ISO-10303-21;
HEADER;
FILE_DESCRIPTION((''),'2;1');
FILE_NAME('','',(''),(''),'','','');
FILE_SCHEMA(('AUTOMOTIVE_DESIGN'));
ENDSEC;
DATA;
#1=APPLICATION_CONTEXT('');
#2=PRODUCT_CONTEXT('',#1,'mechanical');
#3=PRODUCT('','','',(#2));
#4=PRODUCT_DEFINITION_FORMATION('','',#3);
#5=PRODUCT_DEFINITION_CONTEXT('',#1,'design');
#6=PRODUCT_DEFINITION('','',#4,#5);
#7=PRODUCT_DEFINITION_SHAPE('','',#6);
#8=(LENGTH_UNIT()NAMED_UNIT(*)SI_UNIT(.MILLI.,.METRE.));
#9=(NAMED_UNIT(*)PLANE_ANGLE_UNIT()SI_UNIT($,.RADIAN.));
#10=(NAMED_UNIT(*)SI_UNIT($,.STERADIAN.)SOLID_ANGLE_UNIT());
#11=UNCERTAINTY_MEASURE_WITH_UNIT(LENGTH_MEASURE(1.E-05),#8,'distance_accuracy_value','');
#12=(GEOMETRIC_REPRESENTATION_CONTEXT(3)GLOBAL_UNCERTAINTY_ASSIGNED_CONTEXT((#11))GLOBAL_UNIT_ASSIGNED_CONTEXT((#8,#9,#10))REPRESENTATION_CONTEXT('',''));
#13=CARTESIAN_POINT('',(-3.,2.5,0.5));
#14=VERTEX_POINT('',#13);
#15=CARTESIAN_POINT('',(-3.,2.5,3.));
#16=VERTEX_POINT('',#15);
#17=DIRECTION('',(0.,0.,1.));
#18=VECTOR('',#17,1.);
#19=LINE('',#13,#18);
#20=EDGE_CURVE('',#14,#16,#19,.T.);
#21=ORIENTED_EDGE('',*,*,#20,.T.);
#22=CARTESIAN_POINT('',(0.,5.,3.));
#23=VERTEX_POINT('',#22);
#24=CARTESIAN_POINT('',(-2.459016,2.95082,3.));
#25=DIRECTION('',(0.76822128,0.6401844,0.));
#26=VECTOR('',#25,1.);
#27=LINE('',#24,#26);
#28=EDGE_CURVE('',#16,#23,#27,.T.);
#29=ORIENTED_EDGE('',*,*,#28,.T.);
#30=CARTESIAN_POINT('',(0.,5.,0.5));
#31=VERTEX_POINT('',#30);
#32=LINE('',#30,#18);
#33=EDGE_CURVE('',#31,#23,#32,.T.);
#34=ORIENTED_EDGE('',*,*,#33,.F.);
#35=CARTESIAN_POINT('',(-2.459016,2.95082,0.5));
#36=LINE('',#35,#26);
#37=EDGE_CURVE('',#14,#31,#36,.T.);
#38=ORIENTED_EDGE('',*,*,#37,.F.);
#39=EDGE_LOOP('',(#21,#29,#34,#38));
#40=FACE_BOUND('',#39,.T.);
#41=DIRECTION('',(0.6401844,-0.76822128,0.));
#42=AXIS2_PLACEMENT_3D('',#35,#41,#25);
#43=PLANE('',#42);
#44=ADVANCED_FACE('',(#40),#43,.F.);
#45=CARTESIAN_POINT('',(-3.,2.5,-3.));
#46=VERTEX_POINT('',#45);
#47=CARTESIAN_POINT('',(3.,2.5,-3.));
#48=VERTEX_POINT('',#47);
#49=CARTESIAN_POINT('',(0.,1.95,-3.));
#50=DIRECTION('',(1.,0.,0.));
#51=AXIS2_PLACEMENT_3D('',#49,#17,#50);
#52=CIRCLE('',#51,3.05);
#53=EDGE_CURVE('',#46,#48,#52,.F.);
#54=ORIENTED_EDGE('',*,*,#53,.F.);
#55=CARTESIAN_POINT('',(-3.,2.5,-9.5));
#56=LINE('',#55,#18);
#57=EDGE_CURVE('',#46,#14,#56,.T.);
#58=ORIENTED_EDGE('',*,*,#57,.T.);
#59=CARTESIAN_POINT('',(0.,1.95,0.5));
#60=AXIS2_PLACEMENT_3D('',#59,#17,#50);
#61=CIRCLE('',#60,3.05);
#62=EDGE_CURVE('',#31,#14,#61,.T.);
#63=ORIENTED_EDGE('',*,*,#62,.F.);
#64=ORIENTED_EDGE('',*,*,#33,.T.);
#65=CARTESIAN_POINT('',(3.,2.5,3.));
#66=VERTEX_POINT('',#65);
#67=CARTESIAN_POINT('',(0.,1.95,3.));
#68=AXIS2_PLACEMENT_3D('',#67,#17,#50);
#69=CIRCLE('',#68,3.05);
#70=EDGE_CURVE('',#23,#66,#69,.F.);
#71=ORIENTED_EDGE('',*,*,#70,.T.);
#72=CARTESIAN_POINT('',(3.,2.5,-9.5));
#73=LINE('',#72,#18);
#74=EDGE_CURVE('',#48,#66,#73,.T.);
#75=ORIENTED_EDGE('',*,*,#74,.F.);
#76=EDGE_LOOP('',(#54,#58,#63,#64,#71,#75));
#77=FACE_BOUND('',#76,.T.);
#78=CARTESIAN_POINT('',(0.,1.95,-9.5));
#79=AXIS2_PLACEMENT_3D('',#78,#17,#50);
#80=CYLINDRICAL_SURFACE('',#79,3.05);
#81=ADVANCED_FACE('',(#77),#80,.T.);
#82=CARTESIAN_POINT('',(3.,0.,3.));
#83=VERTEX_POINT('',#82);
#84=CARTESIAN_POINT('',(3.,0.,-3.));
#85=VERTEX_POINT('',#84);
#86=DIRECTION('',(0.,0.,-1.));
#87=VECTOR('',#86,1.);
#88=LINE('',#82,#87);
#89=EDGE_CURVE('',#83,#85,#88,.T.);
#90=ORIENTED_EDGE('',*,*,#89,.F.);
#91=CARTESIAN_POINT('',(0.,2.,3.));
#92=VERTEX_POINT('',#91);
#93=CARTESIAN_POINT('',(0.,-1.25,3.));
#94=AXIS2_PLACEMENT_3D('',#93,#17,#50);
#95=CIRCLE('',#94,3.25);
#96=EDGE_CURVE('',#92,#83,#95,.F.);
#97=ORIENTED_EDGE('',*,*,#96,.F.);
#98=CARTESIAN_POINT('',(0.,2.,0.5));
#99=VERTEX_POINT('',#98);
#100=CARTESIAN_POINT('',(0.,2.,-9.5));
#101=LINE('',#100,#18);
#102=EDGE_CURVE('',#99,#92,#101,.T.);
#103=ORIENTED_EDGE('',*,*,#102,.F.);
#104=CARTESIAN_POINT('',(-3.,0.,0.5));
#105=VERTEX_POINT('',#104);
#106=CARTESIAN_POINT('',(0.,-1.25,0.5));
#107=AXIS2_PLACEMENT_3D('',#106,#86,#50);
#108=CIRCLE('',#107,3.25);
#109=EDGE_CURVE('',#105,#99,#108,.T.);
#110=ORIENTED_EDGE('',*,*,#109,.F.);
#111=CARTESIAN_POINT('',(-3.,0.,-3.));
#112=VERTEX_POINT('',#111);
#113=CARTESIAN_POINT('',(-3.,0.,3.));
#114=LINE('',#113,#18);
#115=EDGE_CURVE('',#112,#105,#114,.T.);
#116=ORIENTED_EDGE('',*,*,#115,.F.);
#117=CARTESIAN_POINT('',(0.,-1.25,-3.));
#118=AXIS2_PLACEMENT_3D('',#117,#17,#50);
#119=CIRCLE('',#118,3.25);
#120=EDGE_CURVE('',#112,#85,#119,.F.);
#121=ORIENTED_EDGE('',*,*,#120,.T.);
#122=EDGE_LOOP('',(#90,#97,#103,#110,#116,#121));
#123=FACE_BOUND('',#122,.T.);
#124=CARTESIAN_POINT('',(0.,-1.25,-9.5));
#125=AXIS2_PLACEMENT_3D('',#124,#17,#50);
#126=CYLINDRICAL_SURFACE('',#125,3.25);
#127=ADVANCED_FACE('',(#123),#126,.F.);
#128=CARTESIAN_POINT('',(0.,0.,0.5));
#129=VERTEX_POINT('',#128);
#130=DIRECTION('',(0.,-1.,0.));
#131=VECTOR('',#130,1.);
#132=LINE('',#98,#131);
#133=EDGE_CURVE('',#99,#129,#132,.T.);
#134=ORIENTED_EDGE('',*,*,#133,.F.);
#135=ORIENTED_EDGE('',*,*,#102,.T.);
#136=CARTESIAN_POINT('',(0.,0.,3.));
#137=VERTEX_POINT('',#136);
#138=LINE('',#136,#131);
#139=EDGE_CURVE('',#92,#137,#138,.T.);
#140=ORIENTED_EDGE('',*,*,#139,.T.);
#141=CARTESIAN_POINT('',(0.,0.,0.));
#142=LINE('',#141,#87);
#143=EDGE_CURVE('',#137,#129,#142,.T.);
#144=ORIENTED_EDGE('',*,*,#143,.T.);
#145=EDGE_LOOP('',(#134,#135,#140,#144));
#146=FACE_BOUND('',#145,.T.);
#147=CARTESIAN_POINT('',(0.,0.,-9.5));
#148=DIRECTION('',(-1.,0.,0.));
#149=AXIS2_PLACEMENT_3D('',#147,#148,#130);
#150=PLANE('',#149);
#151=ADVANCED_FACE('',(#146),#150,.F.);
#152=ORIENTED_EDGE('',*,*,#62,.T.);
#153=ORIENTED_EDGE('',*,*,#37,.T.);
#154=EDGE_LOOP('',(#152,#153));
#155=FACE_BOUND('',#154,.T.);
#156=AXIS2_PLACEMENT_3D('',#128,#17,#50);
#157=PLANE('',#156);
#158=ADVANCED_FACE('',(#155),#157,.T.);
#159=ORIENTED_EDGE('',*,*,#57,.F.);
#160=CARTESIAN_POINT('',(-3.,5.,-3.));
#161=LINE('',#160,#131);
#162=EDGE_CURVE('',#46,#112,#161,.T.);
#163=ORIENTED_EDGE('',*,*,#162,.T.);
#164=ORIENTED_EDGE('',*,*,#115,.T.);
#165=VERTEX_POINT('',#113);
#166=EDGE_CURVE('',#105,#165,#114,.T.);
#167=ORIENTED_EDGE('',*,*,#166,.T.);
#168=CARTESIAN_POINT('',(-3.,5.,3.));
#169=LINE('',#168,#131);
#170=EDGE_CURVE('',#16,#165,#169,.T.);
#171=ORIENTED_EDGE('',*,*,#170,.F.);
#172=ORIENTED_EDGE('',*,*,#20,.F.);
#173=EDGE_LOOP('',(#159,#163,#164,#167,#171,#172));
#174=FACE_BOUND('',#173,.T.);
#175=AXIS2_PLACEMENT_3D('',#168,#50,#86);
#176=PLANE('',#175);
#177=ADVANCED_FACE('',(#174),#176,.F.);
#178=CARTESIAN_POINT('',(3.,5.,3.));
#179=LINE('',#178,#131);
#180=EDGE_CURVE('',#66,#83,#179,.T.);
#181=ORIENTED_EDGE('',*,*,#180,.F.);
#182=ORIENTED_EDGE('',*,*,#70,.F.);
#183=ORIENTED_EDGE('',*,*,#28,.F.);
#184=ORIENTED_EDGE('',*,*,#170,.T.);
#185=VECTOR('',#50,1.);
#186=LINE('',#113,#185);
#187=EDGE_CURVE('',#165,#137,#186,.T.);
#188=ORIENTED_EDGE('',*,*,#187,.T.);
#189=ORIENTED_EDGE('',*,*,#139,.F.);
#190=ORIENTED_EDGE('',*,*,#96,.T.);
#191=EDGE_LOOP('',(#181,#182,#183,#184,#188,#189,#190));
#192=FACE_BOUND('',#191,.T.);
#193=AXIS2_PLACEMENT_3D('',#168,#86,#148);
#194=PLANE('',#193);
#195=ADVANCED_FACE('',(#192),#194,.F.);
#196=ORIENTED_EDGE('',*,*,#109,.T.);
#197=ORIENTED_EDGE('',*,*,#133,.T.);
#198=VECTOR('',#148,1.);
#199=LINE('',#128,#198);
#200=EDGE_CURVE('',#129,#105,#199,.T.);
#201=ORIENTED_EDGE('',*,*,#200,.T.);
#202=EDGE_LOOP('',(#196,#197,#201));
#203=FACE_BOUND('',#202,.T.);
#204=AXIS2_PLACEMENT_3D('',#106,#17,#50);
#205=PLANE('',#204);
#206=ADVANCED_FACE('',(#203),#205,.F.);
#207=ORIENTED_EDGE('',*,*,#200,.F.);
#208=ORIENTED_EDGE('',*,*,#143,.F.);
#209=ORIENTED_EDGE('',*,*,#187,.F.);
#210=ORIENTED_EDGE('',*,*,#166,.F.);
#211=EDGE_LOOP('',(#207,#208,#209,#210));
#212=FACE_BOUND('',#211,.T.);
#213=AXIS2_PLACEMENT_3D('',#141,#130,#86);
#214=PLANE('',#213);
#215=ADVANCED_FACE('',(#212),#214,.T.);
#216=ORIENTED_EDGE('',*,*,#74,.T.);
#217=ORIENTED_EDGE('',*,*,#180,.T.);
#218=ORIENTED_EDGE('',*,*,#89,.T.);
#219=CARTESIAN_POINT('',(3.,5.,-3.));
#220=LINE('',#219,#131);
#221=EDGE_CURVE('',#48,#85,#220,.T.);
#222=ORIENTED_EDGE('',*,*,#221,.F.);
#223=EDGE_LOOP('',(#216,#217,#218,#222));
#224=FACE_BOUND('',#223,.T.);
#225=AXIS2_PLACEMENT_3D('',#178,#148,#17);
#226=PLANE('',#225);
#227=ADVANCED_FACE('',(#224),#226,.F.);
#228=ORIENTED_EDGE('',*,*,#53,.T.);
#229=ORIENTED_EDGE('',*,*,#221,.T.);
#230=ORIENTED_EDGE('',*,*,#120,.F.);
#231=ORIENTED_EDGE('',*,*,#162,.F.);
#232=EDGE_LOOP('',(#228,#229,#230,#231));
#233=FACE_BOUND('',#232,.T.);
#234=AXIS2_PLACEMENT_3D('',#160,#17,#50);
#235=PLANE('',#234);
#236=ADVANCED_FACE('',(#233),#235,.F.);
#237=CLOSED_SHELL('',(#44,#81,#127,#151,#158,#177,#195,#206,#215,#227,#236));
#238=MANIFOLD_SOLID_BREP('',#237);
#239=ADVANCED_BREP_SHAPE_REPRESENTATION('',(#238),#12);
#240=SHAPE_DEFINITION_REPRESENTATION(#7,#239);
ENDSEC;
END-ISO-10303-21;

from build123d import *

# Parameters (mm, degrees)
SKETCH1_W           = 6
SKETCH1_H           = 6
BOSS_EXTRUDE1_DEPTH = 5
CUT_EXTRUDE4_DEPTH  = 12.5
CUT_EXTRUDE5_DEPTH  = 2.5
CUT_EXTRUDE6_DEPTH  = 3.5


with BuildPart() as part:
    # Sketch1 → Boss-Extrude1 (new body)
    with BuildSketch(Plane(origin=(0, 0, 0), x_dir=(1, 0, 0), z_dir=(0, 1, 0))):
        Rectangle(SKETCH1_W, SKETCH1_H)
    extrude(amount=BOSS_EXTRUDE1_DEPTH)

    # Sketch5 → Cut-Extrude4 (cut)
    with BuildSketch(Plane.XY.offset(3)):
        with BuildLine():
            Line((-3, 5), (-3, 2.5))
            ThreePointArc((-3, 2.5), (-1.952562419, 4.293074903), (0, 5))
            Line((0, 5), (-3, 5))
        make_face()
        with BuildLine():
            ThreePointArc((0, 5), (1.952562419, 4.293074903), (3, 2.5))
            Line((3, 2.5), (3, 5))
            Line((3, 5), (0, 5))
        make_face()
        with BuildLine():
            ThreePointArc((3, 0), (1.802775638, 1.454163457), (0, 2))
            Line((0, 2), (0, 0))
            Line((0, 0), (3, 0))
        make_face()
    extrude(amount=-CUT_EXTRUDE4_DEPTH, mode=Mode.SUBTRACT)

    # Sketch6 → Cut-Extrude5 (cut)
    with BuildSketch(Plane.XY.offset(3)):
        with BuildLine():
            Line((-3, 2.5), (0, 5))
            ThreePointArc((0, 5), (-1.952562419, 4.293074903), (-3, 2.5))
        make_face()
    extrude(amount=-CUT_EXTRUDE5_DEPTH, mode=Mode.SUBTRACT)

    # Sketch7 → Cut-Extrude6 (cut)
    with BuildSketch(Plane(origin=(0, 0, -3), x_dir=(-1, 0, 0), z_dir=(0, 0, -1))):
        with BuildLine():
            Line((0, 2), (0, 0))
            Line((0, 0), (3, 0))
            ThreePointArc((3, 0), (1.802775638, 1.454163457), (0, 2))
        make_face()
    extrude(amount=-CUT_EXTRUDE6_DEPTH, mode=Mode.SUBTRACT)


solid = part.part
